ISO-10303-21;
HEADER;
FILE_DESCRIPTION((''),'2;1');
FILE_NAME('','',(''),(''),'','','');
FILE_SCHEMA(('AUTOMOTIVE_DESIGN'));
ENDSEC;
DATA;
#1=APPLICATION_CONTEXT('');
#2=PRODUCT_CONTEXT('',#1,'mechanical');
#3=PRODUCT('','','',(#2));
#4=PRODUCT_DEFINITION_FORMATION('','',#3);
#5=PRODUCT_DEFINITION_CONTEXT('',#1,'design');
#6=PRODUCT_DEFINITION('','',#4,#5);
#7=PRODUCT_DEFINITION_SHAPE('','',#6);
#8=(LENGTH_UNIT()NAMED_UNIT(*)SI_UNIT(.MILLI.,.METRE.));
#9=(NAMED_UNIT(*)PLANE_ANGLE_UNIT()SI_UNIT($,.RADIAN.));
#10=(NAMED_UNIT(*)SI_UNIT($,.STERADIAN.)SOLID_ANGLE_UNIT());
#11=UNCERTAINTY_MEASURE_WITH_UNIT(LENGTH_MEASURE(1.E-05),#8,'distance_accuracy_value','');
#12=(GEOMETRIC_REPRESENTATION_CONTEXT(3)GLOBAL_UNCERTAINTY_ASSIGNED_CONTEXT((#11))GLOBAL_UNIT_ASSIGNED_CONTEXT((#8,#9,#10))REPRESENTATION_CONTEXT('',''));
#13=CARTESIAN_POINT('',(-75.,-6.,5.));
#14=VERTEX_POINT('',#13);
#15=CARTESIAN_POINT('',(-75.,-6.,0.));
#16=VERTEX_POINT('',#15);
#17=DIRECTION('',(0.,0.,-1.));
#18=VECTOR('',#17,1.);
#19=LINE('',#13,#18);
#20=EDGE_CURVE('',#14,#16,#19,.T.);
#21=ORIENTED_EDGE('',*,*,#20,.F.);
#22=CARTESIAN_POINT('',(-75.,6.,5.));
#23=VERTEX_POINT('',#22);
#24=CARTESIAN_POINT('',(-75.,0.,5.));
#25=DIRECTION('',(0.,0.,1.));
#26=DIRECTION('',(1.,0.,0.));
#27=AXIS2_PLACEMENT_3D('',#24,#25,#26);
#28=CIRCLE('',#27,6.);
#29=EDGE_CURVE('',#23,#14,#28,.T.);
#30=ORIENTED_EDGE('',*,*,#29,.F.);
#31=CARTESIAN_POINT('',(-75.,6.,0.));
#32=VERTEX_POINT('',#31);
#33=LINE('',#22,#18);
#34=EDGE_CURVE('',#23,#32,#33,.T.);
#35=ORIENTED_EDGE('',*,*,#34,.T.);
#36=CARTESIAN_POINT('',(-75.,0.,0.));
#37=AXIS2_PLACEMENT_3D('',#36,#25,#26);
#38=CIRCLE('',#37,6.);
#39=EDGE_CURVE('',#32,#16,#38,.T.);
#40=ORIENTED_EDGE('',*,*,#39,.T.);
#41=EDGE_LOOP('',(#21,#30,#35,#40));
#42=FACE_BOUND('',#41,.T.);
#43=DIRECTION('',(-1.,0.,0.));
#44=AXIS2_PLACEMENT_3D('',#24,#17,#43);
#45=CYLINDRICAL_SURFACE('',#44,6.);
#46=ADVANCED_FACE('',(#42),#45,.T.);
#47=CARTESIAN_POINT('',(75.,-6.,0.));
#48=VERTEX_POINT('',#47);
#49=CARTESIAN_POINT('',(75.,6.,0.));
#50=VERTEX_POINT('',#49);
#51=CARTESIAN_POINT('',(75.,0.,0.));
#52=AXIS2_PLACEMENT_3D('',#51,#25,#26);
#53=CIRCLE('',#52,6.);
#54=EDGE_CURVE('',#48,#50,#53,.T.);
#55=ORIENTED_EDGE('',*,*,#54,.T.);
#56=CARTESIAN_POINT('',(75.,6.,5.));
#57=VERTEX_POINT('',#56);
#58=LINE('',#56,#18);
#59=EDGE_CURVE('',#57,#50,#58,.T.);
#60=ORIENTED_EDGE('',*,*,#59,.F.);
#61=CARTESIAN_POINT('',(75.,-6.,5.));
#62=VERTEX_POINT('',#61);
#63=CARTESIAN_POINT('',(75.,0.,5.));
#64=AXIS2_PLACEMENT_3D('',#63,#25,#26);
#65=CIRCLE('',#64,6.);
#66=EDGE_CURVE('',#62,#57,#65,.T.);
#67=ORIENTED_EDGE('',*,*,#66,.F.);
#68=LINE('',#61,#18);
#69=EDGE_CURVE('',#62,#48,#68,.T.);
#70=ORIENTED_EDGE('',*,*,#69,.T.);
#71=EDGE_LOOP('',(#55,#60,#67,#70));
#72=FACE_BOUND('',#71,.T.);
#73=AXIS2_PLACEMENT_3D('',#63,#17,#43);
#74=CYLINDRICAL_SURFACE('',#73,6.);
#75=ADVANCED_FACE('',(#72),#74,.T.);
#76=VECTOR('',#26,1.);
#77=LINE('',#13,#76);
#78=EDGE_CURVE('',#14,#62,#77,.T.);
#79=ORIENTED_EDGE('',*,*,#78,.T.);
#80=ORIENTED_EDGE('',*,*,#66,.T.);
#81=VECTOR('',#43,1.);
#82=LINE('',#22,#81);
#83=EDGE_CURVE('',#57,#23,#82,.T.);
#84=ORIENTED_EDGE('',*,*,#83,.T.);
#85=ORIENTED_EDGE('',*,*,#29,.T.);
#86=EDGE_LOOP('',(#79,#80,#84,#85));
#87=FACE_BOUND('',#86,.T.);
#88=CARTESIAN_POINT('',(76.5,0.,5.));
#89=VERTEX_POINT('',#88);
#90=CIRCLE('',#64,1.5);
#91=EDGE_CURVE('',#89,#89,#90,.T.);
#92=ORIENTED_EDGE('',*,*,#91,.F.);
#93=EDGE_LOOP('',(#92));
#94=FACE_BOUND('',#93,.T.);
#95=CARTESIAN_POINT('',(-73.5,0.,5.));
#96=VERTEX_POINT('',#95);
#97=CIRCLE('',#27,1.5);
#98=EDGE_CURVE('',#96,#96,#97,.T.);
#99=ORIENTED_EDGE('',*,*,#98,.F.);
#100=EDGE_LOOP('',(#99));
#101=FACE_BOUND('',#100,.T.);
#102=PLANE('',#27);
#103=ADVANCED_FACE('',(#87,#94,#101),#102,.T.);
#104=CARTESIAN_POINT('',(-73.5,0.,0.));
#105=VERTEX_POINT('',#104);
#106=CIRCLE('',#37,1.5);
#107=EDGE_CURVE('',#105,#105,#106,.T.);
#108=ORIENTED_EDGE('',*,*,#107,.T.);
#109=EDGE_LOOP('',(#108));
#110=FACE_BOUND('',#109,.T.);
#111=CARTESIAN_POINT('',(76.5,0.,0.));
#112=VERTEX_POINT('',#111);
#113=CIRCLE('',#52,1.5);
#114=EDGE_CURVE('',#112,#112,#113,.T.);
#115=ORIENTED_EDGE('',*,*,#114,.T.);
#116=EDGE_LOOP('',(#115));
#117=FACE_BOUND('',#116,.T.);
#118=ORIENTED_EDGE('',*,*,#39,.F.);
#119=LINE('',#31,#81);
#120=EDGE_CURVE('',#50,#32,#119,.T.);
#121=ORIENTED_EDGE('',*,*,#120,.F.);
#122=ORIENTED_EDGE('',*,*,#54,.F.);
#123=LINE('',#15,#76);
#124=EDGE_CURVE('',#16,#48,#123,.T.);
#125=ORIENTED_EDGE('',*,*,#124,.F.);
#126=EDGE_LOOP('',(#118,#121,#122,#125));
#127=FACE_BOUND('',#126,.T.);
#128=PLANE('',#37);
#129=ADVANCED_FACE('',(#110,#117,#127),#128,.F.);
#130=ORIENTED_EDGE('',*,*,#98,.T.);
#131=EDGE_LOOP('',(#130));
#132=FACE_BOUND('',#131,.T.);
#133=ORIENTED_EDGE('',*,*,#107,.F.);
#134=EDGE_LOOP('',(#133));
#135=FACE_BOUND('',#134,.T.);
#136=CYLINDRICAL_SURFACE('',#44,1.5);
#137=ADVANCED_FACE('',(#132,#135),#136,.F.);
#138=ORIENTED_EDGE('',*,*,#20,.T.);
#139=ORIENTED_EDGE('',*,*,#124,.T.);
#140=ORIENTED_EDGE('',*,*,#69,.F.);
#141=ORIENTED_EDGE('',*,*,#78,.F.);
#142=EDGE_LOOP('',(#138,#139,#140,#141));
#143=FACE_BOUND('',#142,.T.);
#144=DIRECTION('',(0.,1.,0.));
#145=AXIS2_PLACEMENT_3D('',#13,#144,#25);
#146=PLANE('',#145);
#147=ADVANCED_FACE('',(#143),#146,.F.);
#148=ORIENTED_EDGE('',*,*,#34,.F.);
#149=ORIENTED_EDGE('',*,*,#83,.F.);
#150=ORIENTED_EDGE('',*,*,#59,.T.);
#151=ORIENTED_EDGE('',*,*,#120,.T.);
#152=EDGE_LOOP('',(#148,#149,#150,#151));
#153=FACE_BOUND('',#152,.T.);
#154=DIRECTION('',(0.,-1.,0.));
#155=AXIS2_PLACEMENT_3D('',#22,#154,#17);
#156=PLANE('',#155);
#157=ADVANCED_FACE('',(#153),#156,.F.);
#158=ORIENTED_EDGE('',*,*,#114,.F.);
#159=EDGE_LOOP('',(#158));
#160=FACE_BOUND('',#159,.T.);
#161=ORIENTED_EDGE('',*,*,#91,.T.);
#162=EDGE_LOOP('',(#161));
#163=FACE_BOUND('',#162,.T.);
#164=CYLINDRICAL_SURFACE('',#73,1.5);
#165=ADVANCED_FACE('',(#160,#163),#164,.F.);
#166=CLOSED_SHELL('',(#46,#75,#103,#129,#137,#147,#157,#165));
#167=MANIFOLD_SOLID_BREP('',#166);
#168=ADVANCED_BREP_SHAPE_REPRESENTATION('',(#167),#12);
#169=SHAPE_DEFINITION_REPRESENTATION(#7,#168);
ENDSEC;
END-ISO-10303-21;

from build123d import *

# Parameters (mm, degrees)
ESQUISSE1_R        = 1.5
BOSS_EXTRU_1_DEPTH = 5


with BuildPart() as part:
    # Esquisse1 → Boss.-Extru.1 (new body)
    with BuildSketch(Plane.XY):
        with BuildLine():
            Line((-75, 6), (75, 6))
            ThreePointArc((75, 6), (81, 0), (75, -6))
            Line((75, -6), (-75, -6))
            ThreePointArc((-75, -6), (-81, 0), (-75, 6))
        make_face()
        with Locations((-75, 0)):
            Circle(ESQUISSE1_R, mode=Mode.SUBTRACT)
        with Locations((75, 0)):
            Circle(ESQUISSE1_R, mode=Mode.SUBTRACT)
    extrude(amount=BOSS_EXTRU_1_DEPTH)


solid = part.part
